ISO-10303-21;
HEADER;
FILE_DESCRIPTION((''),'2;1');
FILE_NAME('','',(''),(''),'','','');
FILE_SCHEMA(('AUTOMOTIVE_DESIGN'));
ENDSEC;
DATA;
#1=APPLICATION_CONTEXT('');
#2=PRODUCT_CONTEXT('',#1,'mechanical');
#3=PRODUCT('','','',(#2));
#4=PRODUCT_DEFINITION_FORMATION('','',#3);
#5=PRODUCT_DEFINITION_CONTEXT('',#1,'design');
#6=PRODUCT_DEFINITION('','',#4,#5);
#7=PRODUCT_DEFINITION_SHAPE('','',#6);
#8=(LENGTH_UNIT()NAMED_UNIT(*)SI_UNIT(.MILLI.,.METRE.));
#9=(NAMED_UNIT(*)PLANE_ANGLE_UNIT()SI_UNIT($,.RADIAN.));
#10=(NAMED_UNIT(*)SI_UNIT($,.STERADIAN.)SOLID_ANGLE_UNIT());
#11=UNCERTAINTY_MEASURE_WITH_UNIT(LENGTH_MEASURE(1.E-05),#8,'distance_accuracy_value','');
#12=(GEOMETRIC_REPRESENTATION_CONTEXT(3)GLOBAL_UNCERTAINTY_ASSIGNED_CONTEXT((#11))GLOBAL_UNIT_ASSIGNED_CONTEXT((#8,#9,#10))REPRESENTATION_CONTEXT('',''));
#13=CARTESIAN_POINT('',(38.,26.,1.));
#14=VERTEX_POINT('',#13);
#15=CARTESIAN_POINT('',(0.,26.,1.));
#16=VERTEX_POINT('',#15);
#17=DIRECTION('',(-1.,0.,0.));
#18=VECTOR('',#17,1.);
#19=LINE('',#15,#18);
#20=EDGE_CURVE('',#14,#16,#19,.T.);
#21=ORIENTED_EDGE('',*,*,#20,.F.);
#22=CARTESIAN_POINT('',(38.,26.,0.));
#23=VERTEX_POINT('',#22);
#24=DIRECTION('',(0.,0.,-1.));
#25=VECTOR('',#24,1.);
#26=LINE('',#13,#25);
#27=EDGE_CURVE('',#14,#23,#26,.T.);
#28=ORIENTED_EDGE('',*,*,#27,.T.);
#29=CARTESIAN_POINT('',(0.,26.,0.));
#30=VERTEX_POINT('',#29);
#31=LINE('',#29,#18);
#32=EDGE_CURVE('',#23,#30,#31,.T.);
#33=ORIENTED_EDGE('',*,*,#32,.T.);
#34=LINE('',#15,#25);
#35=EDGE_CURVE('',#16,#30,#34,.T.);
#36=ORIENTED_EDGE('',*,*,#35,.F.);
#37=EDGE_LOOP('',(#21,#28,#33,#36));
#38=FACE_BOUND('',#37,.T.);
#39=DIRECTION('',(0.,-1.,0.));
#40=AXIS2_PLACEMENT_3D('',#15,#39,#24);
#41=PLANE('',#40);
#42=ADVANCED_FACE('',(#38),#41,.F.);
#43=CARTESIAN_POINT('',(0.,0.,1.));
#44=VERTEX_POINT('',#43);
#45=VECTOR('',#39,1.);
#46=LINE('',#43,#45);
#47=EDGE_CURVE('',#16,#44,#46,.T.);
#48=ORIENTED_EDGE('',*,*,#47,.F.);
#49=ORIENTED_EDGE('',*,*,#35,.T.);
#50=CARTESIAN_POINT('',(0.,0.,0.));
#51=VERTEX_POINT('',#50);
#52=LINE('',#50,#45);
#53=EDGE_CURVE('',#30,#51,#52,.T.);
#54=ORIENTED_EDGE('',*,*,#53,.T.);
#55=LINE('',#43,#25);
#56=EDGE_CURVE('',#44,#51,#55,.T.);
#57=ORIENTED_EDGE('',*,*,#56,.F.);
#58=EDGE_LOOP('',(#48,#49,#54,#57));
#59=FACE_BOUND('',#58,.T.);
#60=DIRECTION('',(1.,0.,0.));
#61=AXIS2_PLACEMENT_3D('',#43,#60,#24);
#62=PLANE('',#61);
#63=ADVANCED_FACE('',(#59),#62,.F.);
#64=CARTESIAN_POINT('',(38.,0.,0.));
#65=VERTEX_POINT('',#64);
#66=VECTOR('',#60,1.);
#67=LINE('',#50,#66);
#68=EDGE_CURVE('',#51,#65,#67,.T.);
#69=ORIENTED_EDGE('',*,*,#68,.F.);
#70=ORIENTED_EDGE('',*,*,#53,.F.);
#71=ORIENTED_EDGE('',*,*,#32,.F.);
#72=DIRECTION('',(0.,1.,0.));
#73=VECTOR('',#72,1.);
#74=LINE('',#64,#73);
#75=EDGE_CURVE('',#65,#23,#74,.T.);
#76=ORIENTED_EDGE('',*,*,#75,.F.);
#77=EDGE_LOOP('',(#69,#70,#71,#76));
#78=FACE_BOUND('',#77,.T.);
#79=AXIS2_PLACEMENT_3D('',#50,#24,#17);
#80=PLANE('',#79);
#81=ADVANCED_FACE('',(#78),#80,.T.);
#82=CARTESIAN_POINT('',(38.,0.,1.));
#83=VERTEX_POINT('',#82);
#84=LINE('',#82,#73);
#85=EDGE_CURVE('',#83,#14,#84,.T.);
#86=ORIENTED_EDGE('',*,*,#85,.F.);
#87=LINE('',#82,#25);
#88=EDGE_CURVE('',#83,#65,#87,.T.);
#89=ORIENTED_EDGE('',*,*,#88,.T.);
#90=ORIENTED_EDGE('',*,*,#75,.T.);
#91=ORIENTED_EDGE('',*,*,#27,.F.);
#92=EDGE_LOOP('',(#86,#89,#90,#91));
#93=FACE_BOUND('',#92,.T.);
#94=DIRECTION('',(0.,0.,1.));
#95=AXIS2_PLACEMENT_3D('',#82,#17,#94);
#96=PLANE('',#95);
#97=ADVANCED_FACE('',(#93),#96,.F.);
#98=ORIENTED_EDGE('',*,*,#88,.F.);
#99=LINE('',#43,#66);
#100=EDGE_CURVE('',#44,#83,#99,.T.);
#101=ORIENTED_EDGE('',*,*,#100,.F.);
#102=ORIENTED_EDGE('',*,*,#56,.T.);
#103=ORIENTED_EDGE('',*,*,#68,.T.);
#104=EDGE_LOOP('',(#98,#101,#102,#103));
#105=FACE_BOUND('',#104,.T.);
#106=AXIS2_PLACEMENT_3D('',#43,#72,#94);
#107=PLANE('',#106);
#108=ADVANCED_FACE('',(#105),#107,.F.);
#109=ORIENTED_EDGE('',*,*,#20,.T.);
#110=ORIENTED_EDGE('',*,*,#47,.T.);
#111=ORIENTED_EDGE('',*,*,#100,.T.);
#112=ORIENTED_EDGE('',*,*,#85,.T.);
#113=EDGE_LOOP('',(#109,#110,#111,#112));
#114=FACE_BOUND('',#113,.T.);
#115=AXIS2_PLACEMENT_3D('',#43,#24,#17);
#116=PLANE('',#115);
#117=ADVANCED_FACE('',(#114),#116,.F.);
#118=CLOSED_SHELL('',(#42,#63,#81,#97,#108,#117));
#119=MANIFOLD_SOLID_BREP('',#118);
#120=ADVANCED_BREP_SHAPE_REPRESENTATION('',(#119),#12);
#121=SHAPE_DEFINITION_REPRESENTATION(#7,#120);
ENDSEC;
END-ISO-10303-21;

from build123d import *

# Parameters (mm, degrees)
SKETCH1_W           = 38
SKETCH1_H           = 26
BOSS_EXTRUDE1_DEPTH = 1


with BuildPart() as part:
    # Sketch1 → Boss-Extrude1 (new body)
    with BuildSketch(Plane.XY):
        with Locations((19, 13)):
            Rectangle(SKETCH1_W, SKETCH1_H)
    extrude(amount=BOSS_EXTRUDE1_DEPTH)


solid = part.part
